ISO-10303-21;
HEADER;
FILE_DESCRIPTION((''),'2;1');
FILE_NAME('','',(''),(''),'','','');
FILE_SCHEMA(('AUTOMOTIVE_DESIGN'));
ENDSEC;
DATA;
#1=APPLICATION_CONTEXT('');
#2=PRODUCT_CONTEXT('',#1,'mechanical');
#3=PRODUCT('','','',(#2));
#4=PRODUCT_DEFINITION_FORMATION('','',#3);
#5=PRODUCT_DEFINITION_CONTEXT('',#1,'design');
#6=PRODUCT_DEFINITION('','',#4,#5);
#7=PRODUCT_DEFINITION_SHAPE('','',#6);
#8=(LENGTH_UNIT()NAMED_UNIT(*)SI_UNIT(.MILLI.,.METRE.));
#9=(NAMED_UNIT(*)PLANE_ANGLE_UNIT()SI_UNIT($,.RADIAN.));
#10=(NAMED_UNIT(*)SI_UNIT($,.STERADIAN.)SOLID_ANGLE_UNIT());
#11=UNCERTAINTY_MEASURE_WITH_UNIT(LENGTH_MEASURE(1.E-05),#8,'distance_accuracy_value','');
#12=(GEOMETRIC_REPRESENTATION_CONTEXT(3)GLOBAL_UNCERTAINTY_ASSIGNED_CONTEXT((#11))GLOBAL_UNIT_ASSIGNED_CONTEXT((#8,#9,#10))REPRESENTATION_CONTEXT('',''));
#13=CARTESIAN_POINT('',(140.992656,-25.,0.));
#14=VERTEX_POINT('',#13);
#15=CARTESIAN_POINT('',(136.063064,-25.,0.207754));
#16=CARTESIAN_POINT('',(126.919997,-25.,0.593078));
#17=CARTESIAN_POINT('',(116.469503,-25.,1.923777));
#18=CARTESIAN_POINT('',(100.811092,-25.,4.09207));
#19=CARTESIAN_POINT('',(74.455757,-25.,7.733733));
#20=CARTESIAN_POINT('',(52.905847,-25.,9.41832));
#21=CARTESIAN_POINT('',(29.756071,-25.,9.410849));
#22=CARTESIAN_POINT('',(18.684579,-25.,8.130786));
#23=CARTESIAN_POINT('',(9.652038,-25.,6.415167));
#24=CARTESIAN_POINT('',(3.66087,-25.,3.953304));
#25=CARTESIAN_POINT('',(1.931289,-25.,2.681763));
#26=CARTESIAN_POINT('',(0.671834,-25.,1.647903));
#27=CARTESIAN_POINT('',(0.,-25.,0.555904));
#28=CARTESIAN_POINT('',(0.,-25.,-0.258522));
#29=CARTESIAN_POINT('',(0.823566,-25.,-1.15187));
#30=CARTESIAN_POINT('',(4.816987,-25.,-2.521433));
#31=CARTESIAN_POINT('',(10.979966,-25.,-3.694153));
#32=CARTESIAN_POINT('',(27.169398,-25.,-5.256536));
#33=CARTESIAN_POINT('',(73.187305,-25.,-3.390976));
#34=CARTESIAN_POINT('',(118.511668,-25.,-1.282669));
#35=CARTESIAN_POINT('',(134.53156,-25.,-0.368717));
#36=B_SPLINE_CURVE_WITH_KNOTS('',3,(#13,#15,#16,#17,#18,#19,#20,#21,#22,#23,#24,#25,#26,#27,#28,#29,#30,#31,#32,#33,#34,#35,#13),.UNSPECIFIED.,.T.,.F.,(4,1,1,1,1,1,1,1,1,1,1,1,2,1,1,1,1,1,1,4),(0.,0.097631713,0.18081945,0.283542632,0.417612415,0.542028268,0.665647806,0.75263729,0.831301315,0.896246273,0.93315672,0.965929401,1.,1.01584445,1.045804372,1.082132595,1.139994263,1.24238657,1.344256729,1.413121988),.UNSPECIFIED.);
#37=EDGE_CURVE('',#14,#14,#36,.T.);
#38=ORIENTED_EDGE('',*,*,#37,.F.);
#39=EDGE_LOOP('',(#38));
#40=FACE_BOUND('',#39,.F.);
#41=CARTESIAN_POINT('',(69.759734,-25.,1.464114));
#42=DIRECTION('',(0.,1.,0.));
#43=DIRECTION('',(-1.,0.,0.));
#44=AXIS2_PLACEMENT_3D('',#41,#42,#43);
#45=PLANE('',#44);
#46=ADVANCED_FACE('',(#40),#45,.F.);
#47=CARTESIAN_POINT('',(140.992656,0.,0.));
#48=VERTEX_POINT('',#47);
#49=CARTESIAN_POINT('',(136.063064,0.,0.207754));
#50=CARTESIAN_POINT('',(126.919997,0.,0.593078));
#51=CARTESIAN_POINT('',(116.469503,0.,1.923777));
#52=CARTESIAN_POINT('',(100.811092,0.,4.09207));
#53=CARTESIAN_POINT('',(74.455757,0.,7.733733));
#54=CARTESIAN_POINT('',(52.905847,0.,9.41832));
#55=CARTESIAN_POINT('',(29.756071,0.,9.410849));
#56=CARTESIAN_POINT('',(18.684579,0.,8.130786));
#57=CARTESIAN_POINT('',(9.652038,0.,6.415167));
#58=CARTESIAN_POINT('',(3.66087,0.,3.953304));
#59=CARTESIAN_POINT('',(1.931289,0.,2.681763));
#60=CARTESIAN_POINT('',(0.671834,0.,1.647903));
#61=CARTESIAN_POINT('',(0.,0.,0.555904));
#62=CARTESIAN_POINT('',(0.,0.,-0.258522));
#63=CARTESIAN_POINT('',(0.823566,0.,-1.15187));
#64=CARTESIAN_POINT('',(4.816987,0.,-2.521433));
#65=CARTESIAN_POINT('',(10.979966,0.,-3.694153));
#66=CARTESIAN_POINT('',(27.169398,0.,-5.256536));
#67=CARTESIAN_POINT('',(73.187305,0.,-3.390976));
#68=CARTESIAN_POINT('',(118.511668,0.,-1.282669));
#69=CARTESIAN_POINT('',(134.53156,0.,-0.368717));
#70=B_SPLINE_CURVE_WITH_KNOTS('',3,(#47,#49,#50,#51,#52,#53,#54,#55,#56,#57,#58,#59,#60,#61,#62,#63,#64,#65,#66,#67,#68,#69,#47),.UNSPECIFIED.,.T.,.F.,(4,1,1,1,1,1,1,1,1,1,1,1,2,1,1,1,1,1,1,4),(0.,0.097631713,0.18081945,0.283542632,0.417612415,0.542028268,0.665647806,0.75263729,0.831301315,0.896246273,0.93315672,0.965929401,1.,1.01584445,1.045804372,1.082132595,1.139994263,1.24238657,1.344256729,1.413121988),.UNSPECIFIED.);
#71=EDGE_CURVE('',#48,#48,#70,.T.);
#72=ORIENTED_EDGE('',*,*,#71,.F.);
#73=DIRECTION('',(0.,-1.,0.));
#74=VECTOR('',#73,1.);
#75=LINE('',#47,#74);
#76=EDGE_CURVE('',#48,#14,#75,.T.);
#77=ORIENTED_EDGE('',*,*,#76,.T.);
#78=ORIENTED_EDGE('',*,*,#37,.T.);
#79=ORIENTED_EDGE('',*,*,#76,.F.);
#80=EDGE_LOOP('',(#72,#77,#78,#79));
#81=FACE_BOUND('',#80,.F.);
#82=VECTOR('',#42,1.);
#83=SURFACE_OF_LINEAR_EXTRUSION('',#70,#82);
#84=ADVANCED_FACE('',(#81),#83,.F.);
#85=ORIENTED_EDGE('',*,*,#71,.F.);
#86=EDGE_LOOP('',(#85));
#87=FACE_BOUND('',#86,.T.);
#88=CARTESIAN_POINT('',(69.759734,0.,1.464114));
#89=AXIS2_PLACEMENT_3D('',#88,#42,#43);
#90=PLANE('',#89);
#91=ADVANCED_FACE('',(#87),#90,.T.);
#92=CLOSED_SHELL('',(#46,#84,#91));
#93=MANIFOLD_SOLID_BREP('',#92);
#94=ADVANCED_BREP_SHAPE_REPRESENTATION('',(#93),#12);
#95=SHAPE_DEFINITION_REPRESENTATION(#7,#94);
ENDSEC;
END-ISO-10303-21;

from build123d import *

# Parameters (mm, degrees)
F1_DEPTH = 25


with BuildPart() as f1:
    # F0 (on Front) → F1 (new body)
    with BuildSketch(Plane.XZ):
        with BuildLine():
            add(Edge.make_bspline(
                [(0, 0), (0, 0.5559037277), (0.6718342644, 1.6479034498), (1.9312892702, 2.681762671), (3.6608696449, 3.9533041178), (9.6520384942, 6.4151667619), (18.684579477, 8.1307862124), (29.756070856, 9.4108494711), (52.9058474228, 9.4183201263), (74.4557570242, 7.733733392), (100.8110919701, 4.0920695088), (116.4695031918, 1.923777104), (126.9199972859, 0.5930776391), (136.0630635257, 0.2077540063), (140.9926563501, 0)],
                knots=[0, 0, 0, 0, 0.0340705985, 0.0668432801, 0.1037537265, 0.1686986847, 0.2473627098, 0.3343521942, 0.4579717322, 0.5823875853, 0.7164573682, 0.8191805501, 0.902368287, 1, 1, 1, 1], degree=3))
            add(Edge.make_bspline(
                [(0, 0), (0, -0.2585217007), (0.8235657223, -1.1518700813), (4.816987409, -2.5214330322), (10.979966137, -3.6941530605), (27.169398351, -5.2565360067), (73.187304812, -3.3909763394), (118.5116683507, -1.2826691619), (134.5315600374, -0.3687168937), (140.9926563501, 0)],
                knots=[0, 0, 0, 0, 0.0383529585, 0.1108737221, 0.1988095455, 0.3388690679, 0.5867191234, 0.8333052695, 1, 1, 1, 1], degree=3))
        make_face()
    extrude(amount=F1_DEPTH)


solid = f1.part
